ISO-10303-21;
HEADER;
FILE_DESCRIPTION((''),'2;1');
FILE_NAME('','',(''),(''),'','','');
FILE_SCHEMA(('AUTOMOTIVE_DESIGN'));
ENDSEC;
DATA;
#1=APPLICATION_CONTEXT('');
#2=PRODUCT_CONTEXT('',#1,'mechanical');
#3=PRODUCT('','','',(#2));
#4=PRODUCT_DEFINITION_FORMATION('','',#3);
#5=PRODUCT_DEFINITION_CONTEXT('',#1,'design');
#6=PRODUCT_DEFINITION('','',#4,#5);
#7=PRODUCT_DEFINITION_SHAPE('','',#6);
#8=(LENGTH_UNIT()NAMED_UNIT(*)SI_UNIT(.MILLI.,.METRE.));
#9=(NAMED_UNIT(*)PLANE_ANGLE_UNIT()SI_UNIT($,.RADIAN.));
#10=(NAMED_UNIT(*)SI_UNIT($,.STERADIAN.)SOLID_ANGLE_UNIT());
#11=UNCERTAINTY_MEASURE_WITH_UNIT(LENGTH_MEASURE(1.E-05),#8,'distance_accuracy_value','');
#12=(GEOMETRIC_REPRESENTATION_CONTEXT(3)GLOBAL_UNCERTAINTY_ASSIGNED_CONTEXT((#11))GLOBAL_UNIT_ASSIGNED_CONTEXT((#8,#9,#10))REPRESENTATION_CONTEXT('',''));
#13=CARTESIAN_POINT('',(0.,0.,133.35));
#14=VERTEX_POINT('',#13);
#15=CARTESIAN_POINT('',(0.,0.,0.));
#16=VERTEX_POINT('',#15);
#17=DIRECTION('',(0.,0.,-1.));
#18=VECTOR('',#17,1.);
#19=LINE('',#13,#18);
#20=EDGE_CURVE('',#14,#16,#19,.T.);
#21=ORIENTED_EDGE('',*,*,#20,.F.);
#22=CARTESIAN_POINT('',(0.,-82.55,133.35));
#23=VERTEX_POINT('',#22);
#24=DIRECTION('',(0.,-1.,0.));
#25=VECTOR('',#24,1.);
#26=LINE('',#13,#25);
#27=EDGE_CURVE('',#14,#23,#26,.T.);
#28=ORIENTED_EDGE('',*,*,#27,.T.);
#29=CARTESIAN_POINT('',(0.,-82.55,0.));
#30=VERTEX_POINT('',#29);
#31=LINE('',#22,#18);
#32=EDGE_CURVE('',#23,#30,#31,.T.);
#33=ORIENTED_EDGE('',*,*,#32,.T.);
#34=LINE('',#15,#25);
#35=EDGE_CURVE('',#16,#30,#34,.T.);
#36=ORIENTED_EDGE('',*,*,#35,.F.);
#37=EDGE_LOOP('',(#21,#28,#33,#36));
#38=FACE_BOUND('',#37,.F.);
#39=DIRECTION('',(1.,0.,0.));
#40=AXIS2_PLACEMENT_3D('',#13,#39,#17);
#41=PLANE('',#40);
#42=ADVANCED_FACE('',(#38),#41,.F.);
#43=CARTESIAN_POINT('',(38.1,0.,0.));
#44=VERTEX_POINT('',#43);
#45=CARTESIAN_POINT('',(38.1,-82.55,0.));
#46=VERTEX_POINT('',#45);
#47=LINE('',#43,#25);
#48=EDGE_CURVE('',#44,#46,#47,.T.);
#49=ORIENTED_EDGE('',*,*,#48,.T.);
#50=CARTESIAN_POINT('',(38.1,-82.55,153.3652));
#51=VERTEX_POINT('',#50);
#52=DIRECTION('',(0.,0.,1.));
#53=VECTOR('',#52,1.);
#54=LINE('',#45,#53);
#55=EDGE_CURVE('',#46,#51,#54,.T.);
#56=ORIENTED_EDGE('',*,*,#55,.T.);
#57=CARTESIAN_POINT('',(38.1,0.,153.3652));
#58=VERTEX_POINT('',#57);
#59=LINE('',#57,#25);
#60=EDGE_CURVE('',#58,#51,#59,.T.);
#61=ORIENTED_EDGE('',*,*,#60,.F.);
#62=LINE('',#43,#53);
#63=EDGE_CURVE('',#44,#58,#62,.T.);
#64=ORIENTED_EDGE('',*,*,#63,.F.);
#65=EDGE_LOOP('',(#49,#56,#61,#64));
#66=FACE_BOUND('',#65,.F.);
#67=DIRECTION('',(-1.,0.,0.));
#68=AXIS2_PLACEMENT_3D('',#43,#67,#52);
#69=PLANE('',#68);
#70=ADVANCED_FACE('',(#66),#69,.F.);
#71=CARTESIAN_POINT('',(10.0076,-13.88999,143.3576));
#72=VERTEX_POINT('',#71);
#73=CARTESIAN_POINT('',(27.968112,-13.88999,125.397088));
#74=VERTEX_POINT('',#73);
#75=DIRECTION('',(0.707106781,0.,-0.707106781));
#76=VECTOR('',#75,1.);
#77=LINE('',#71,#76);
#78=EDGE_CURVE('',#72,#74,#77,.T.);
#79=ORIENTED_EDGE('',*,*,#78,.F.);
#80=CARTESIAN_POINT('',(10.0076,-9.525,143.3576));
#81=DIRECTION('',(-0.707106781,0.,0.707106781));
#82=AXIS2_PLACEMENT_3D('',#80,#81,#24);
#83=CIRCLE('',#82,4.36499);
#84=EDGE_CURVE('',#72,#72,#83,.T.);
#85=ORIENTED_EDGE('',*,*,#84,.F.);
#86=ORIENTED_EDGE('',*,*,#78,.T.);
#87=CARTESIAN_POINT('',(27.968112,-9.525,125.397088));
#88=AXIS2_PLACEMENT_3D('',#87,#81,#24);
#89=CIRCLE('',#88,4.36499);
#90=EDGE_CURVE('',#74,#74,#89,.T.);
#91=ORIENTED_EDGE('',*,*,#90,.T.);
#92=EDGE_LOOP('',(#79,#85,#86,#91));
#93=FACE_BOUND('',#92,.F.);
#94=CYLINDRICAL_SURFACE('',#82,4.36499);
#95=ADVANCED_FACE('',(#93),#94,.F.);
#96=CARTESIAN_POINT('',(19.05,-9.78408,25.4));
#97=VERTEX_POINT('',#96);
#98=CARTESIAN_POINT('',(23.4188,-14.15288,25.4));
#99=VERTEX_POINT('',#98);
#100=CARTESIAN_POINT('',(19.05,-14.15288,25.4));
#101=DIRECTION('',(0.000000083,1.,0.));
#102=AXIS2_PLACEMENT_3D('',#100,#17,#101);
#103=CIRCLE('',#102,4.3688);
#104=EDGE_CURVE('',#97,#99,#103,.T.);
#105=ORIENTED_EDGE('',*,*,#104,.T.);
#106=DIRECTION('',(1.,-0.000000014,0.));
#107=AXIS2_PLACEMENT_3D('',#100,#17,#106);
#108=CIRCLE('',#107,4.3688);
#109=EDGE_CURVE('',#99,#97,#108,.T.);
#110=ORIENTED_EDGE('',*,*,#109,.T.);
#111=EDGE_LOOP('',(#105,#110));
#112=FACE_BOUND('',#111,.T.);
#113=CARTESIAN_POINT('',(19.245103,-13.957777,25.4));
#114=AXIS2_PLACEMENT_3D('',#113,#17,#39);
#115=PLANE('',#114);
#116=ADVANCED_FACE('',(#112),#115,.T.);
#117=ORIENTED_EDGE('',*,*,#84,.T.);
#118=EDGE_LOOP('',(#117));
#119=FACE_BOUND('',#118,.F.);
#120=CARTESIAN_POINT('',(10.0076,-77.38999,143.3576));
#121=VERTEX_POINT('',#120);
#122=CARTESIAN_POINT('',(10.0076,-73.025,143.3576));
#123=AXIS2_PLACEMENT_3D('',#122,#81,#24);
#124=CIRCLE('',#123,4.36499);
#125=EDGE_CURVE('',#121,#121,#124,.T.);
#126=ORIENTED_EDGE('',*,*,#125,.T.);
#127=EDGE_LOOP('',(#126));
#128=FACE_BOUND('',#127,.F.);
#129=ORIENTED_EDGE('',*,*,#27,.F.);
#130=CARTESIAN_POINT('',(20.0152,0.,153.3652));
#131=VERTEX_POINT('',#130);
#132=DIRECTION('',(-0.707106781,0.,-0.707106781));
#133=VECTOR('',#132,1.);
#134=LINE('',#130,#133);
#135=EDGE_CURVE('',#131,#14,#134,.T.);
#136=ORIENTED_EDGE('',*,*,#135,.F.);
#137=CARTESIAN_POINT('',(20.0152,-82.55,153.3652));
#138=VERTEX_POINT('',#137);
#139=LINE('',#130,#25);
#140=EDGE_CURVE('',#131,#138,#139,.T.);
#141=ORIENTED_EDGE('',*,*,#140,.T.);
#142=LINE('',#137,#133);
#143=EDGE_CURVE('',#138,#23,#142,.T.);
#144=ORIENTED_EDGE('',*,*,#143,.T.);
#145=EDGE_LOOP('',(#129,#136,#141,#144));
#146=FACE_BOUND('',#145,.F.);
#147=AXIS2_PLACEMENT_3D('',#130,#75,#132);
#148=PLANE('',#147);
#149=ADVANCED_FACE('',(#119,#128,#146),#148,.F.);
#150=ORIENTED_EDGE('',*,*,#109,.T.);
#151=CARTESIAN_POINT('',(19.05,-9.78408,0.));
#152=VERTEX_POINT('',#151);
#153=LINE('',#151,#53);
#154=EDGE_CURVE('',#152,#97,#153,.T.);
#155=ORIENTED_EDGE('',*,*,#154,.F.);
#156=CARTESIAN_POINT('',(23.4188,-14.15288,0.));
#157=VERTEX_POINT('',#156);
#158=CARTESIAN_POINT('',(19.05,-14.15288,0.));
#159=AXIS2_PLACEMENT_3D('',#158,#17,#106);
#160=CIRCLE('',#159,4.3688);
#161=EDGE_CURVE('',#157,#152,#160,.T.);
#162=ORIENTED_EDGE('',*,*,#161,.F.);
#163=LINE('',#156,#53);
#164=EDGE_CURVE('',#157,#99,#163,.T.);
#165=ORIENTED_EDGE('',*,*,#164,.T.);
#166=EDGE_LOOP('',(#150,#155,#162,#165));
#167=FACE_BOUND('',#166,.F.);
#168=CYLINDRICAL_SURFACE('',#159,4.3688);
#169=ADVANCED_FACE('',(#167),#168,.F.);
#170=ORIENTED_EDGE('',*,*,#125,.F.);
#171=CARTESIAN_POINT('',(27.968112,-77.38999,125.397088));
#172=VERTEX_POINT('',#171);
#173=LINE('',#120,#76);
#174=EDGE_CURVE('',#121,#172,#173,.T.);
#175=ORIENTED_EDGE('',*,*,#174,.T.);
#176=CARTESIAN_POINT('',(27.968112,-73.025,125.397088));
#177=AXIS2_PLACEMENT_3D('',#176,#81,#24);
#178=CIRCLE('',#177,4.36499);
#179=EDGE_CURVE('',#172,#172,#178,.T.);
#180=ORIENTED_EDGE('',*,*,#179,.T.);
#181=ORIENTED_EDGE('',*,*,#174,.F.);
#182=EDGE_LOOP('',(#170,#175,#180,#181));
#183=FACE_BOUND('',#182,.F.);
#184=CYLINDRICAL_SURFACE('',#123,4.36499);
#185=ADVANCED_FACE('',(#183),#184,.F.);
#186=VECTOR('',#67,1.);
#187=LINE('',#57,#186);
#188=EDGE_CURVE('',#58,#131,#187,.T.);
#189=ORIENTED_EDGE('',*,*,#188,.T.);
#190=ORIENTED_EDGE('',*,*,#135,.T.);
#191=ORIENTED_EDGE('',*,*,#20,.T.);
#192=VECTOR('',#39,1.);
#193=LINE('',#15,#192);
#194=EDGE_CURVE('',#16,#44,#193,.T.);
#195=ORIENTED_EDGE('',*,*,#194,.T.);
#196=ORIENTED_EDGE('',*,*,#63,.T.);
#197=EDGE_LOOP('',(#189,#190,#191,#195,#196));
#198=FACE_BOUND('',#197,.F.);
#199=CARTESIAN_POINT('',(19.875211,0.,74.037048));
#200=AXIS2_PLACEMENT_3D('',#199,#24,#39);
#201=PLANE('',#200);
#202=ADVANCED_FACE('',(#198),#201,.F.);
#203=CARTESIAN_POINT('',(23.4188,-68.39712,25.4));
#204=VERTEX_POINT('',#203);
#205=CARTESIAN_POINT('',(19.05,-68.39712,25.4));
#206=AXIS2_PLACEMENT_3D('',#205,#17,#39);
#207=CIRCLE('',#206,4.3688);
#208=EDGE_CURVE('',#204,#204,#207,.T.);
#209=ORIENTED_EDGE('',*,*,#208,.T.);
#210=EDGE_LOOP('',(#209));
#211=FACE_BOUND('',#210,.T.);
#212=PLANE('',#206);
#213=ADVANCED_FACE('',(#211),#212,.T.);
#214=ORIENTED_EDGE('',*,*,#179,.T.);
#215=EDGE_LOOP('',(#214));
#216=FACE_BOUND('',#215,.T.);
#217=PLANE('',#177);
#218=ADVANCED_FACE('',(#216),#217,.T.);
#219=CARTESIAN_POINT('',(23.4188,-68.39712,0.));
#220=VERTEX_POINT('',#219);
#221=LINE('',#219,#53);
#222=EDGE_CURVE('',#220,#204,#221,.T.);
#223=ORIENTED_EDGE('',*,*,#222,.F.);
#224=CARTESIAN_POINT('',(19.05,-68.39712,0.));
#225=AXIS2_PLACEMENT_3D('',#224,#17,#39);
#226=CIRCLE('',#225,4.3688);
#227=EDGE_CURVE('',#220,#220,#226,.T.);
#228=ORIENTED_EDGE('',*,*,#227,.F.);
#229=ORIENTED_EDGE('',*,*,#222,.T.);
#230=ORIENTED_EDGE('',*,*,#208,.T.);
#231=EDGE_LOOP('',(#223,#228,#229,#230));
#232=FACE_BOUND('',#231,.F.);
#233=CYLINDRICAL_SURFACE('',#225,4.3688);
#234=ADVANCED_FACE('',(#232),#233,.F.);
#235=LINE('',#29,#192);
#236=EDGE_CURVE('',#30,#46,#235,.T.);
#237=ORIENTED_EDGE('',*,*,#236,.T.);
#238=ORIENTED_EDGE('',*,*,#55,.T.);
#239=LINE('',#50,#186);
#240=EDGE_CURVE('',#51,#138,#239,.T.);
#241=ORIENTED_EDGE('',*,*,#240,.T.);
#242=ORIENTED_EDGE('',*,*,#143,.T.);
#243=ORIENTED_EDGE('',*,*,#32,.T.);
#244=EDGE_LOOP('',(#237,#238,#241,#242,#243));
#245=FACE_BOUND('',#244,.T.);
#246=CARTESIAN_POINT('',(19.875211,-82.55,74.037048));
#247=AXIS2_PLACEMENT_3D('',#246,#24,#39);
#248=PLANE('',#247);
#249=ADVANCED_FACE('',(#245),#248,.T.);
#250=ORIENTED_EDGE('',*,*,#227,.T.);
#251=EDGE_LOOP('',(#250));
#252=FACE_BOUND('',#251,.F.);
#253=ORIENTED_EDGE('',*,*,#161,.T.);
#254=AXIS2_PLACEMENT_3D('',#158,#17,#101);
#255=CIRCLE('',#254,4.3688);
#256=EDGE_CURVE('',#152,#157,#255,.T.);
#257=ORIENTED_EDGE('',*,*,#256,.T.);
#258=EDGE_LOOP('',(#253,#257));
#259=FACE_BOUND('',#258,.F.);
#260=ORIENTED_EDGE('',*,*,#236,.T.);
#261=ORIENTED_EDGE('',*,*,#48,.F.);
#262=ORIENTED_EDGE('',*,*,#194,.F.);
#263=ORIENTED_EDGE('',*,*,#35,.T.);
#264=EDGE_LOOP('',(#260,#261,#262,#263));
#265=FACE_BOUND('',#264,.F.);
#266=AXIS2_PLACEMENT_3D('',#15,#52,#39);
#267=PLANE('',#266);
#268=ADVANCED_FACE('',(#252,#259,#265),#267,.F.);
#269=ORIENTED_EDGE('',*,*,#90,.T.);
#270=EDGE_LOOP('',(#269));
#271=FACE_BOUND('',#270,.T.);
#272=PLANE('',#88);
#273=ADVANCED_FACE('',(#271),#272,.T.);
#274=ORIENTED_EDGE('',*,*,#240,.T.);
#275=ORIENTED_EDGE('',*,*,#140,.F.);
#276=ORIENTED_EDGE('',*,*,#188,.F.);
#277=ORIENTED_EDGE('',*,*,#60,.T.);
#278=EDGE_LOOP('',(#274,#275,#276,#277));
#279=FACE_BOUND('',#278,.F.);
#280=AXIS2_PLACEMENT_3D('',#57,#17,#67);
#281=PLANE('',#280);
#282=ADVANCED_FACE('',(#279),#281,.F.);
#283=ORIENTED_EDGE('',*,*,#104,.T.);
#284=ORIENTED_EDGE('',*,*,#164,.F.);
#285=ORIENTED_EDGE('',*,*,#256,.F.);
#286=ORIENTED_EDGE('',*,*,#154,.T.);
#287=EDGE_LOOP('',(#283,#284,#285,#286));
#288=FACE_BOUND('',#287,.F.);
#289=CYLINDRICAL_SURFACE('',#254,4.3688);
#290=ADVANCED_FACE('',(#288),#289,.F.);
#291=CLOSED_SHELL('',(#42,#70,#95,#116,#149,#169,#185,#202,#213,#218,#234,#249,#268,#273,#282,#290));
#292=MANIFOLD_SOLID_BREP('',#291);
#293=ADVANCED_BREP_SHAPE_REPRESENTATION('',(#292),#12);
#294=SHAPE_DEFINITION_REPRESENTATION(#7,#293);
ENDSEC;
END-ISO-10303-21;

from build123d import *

# Parameters (mm, degrees)
F1_DEPTH = 82.55
F2_R     = 4.36499
F3_DEPTH = 25.4
F4_R     = 4.3688
F5_DEPTH = 25.4


with BuildPart() as f1:
    # F0 (on Front) → F1 (new body)
    with BuildSketch(Plane.XZ):
        Polygon((0, 133.35), (0, 0), (38.1, 0), (38.1, 153.3652), (20.0152, 153.3652), align=None)
    extrude(amount=F1_DEPTH)

    # F2 (on face) → F3 (cut)
    with BuildSketch(Plane(origin=(-66.675, 0, 66.675), x_dir=(0, -1, 0), z_dir=(-0.707107, 0, 0.707107))):
        with Locations((9.525, 108.445573)):
            Circle(F2_R)
        with Locations((73.025, 108.445573)):
            Circle(F2_R)
    extrude(amount=-F3_DEPTH, mode=Mode.SUBTRACT)

    # F4 (on face) → F5 (cut)
    with BuildSketch(Plane(origin=(0, 0, 0), x_dir=(1, 0, 0), z_dir=(0, 0, -1))):
        with BuildLine():
            ThreePointArc((23.4188, 14.15288), (15.960792, 17.242088), (19.05, 9.78408))
            ThreePointArc((19.05, 9.78408), (22.139208, 11.063672), (23.4188, 14.15288))
        make_face()
        with Locations((19.05, 68.39712)):
            Circle(F4_R)
    extrude(amount=-F5_DEPTH, mode=Mode.SUBTRACT)


solid = f1.part
